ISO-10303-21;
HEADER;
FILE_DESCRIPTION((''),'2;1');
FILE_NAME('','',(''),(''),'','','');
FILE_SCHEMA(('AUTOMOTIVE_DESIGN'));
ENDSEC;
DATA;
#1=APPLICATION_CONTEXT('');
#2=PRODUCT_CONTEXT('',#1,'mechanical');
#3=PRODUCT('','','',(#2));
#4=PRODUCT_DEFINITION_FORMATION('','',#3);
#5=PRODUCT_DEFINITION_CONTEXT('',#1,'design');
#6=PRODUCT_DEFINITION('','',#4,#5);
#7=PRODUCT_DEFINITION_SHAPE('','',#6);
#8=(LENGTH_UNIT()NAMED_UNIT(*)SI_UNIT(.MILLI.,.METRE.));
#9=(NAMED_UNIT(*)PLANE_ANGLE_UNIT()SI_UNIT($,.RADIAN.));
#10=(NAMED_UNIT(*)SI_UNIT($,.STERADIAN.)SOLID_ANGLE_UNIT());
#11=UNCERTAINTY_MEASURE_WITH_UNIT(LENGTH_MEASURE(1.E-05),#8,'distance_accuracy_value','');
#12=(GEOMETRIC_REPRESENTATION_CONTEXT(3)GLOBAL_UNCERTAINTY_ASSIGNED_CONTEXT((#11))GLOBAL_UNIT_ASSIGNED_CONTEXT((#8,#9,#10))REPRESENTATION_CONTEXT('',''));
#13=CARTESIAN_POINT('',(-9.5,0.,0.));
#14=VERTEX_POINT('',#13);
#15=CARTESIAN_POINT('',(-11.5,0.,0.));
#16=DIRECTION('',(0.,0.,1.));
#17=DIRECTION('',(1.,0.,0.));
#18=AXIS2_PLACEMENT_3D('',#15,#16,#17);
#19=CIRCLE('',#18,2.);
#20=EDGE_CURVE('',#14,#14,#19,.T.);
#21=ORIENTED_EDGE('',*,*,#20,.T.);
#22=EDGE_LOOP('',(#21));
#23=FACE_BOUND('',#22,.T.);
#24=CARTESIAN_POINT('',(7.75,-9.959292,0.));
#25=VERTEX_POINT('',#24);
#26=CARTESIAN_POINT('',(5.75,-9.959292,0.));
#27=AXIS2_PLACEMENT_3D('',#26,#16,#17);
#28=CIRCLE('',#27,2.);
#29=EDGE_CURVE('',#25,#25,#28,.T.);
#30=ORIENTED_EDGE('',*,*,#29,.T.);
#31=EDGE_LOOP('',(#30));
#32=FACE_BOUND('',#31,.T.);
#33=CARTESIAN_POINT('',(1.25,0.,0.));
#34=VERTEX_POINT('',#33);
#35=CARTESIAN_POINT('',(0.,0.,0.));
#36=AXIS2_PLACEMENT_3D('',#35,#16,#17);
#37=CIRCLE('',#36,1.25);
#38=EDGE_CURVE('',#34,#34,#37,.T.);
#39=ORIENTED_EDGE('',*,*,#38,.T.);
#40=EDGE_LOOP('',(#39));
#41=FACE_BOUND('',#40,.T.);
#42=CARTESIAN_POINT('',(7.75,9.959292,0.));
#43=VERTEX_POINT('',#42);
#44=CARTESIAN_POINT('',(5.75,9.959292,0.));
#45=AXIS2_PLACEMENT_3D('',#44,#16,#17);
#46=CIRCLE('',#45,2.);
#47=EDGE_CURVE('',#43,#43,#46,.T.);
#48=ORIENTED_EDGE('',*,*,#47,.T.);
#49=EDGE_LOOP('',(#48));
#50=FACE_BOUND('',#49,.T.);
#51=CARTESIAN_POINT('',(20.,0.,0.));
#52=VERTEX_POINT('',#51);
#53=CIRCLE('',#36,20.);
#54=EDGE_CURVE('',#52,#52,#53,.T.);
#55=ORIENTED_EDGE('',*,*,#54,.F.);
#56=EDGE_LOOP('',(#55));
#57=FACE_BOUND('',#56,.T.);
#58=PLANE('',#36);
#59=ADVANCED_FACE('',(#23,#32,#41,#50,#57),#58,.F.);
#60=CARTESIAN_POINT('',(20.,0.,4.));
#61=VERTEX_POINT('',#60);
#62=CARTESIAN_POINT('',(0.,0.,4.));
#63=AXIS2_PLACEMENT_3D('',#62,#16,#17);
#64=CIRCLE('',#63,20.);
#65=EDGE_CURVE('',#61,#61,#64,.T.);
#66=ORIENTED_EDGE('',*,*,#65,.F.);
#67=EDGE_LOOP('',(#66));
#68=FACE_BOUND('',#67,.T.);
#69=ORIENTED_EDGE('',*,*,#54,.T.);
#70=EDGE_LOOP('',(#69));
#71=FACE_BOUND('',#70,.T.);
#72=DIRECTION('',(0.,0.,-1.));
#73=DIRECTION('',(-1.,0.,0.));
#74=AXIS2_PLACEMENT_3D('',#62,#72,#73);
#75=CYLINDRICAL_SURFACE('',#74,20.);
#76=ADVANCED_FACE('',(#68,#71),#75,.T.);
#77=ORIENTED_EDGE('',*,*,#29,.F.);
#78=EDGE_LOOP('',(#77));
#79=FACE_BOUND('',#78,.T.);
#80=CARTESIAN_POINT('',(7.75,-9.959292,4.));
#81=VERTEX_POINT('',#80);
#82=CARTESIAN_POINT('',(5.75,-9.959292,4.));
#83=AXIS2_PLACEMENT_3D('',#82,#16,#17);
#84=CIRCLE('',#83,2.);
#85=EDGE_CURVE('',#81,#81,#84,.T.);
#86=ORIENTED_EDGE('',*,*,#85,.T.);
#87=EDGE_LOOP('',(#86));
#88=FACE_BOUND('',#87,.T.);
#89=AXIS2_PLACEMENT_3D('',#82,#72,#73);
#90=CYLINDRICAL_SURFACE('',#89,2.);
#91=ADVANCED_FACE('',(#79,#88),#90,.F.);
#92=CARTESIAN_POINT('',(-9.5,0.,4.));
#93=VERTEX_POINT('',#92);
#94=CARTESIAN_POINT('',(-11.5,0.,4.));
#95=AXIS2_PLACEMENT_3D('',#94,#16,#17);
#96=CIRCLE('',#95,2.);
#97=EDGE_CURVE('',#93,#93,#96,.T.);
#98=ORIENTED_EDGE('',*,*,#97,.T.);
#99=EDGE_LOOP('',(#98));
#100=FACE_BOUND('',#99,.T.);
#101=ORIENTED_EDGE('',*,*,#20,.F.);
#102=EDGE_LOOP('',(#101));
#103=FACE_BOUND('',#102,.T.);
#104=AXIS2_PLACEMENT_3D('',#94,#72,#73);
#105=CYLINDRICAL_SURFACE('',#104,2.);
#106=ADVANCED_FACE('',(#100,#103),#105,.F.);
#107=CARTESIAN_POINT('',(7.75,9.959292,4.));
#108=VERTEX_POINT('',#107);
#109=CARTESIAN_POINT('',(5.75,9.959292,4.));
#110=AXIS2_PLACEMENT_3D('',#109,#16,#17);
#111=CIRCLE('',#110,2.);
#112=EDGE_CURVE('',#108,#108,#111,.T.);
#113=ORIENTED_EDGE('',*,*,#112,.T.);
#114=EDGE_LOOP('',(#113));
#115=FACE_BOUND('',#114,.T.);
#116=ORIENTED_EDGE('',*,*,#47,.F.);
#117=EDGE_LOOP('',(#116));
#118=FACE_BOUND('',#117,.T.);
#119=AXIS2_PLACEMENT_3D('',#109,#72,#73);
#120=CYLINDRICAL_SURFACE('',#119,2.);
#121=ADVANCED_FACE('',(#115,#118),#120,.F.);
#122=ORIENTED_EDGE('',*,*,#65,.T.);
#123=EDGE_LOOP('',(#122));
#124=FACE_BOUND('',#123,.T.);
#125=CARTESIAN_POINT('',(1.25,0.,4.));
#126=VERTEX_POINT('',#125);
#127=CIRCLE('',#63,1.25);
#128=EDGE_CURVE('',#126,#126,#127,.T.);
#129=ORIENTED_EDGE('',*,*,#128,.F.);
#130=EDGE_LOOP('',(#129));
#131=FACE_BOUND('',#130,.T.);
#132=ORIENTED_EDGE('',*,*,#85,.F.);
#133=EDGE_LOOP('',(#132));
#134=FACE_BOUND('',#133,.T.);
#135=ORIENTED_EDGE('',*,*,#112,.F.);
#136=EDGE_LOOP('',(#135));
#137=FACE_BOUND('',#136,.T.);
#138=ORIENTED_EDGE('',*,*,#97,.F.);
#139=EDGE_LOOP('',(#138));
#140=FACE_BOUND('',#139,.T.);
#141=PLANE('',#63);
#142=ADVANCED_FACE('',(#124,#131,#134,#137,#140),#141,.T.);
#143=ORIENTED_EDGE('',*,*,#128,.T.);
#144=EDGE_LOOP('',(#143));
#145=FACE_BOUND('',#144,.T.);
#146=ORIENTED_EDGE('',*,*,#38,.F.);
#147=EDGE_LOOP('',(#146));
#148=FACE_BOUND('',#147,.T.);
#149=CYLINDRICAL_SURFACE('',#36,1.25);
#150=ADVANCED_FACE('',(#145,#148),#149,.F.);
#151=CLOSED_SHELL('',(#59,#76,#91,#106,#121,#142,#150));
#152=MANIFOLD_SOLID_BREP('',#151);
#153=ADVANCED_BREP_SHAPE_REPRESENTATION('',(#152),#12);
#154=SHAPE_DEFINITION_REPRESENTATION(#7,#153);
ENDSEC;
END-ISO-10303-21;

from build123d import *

# Parameters (mm, degrees)
SKIZZE1_R                       = 20
SKIZZE1_R_2                     = 2
AUFSATZ_LINEAR_AUSTRAGEN1_DEPTH = 4
SKIZZE2_R                       = 1.25
SCHNITT_LINEAR_AUSTRAGEN1_DEPTH = 29.565713714


with BuildPart() as part:
    # Skizze1 → Aufsatz-Linear austragen1 (new body)
    with BuildSketch(Plane.XY):
        Circle(SKIZZE1_R)
        with Locations((-11.5, 0)):
            Circle(SKIZZE1_R_2, mode=Mode.SUBTRACT)
        with Locations((5.75, 9.959292144)):
            Circle(SKIZZE1_R_2, mode=Mode.SUBTRACT)
        with Locations((5.75, -9.959292144)):
            Circle(SKIZZE1_R_2, mode=Mode.SUBTRACT)
    extrude(amount=AUFSATZ_LINEAR_AUSTRAGEN1_DEPTH)

    # Skizze2 → Schnitt-Linear austragen1 (cut, through all)
    with BuildSketch(Plane.XY.offset(4)):
        Circle(SKIZZE2_R)
    extrude(amount=-SCHNITT_LINEAR_AUSTRAGEN1_DEPTH, mode=Mode.SUBTRACT)


solid = part.part
